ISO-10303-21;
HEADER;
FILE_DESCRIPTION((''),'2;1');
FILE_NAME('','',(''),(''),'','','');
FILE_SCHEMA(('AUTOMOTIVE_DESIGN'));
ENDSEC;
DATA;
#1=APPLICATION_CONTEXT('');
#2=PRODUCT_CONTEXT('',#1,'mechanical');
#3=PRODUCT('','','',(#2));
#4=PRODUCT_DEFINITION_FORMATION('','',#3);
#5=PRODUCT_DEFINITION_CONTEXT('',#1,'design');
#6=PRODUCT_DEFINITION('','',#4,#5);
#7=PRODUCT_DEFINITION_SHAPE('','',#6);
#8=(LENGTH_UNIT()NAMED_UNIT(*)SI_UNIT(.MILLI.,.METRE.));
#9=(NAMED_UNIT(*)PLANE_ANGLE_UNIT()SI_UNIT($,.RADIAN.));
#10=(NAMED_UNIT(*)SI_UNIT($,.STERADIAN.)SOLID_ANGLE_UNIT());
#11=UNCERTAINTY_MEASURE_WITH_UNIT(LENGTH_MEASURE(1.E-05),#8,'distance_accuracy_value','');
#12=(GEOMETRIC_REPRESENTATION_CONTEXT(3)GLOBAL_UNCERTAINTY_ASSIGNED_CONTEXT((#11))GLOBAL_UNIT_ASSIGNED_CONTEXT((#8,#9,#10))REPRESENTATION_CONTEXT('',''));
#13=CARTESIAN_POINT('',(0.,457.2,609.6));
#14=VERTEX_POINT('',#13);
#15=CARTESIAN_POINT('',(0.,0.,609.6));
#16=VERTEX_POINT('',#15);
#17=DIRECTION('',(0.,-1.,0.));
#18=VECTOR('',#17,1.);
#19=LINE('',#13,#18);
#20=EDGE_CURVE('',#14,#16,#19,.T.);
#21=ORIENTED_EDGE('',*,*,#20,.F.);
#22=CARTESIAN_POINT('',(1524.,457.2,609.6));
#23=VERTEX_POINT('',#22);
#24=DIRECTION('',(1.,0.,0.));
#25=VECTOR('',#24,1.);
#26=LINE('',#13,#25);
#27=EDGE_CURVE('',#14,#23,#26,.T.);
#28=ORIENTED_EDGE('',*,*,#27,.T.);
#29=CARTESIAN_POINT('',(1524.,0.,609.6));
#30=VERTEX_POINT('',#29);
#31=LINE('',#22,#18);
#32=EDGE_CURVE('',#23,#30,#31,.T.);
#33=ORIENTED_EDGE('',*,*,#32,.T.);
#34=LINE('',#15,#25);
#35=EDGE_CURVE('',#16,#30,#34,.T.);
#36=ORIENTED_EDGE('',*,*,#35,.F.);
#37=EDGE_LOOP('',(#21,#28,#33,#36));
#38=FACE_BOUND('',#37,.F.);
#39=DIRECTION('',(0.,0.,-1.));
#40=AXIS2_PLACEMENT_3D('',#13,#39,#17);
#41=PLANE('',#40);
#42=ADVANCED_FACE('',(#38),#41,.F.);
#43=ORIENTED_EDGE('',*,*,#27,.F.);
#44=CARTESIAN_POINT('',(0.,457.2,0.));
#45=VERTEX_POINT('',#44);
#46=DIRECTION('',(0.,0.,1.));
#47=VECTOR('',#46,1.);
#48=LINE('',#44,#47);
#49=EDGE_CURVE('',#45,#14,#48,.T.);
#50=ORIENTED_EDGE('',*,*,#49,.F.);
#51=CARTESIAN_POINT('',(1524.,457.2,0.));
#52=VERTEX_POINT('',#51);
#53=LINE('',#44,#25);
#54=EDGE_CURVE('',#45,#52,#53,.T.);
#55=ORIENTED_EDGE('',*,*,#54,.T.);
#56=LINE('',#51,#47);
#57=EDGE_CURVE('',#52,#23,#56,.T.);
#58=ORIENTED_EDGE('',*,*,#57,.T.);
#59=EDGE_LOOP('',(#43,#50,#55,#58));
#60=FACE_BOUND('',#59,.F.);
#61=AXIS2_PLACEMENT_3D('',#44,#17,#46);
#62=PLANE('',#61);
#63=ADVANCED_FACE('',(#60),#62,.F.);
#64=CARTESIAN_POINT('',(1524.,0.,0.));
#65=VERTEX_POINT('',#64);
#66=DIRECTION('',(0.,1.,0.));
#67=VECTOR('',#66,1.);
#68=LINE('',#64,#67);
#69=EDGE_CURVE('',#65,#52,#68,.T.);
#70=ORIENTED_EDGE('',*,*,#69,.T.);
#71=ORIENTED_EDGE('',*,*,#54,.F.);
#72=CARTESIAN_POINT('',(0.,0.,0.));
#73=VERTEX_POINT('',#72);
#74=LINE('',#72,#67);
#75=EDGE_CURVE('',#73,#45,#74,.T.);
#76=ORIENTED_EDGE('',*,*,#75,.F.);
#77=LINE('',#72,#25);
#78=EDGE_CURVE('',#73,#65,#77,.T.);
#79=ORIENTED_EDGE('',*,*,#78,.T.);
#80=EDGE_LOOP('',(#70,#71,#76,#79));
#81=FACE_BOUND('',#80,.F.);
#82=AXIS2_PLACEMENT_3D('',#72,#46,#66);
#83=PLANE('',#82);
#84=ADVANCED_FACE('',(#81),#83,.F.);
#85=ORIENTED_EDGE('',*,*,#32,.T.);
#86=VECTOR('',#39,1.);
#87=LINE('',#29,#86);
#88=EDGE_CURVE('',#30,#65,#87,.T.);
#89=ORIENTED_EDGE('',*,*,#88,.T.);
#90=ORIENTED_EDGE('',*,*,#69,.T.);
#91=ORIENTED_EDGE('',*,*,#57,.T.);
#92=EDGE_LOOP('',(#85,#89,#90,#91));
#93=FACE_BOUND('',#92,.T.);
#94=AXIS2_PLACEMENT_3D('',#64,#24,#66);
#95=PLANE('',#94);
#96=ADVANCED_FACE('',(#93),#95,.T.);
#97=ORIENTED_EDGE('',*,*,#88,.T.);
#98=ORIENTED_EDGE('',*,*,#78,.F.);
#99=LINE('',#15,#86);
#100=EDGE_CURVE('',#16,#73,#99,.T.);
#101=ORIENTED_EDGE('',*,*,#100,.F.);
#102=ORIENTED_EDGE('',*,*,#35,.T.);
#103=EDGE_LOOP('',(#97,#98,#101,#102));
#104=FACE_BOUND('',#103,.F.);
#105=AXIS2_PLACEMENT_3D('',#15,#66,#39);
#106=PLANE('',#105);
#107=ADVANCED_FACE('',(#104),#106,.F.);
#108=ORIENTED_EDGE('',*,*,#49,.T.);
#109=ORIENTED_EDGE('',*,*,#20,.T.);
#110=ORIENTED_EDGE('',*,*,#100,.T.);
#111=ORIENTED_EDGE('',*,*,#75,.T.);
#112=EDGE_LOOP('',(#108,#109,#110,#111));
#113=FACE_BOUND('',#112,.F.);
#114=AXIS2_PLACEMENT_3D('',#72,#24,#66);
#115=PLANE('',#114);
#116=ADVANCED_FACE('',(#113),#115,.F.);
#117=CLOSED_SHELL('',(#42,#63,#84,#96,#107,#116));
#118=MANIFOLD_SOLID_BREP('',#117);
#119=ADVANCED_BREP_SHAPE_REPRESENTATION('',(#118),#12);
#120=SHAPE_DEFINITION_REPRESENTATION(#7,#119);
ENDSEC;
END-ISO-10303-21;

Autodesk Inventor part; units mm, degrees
ref_plane "YZ Plane" through (0, 0, 0) normal (1, 0, 0) x (0, 1, 0)
ref_plane "XZ Plane" through (0, 0, 0) normal (0, 1, 0) x (-1, 0, 0)
ref_plane "XY Plane" through (0, 0, 0) normal (0, 0, 1) x (1, 0, 0)
sketch "Sketch1" plane through (0, 0, 0) normal (1, 0, 0) x (0, 1, 0)
  line L0 (0, 0) -> (457.2, 0)
  line L1 (457.2, 0) -> (457.2, 609.6)
  line L2 (457.2, 609.6) -> (0, 609.6)
  line L3 (0, 609.6) -> (0, 0)
  dimension "d0" = 457.2
  dimension "d1" = 609.6
extrude "Extrusion1" add sketch "Sketch1" along normal blind 1524
properties part number "Standard - Seat Block - Jay" material "Limestone"
